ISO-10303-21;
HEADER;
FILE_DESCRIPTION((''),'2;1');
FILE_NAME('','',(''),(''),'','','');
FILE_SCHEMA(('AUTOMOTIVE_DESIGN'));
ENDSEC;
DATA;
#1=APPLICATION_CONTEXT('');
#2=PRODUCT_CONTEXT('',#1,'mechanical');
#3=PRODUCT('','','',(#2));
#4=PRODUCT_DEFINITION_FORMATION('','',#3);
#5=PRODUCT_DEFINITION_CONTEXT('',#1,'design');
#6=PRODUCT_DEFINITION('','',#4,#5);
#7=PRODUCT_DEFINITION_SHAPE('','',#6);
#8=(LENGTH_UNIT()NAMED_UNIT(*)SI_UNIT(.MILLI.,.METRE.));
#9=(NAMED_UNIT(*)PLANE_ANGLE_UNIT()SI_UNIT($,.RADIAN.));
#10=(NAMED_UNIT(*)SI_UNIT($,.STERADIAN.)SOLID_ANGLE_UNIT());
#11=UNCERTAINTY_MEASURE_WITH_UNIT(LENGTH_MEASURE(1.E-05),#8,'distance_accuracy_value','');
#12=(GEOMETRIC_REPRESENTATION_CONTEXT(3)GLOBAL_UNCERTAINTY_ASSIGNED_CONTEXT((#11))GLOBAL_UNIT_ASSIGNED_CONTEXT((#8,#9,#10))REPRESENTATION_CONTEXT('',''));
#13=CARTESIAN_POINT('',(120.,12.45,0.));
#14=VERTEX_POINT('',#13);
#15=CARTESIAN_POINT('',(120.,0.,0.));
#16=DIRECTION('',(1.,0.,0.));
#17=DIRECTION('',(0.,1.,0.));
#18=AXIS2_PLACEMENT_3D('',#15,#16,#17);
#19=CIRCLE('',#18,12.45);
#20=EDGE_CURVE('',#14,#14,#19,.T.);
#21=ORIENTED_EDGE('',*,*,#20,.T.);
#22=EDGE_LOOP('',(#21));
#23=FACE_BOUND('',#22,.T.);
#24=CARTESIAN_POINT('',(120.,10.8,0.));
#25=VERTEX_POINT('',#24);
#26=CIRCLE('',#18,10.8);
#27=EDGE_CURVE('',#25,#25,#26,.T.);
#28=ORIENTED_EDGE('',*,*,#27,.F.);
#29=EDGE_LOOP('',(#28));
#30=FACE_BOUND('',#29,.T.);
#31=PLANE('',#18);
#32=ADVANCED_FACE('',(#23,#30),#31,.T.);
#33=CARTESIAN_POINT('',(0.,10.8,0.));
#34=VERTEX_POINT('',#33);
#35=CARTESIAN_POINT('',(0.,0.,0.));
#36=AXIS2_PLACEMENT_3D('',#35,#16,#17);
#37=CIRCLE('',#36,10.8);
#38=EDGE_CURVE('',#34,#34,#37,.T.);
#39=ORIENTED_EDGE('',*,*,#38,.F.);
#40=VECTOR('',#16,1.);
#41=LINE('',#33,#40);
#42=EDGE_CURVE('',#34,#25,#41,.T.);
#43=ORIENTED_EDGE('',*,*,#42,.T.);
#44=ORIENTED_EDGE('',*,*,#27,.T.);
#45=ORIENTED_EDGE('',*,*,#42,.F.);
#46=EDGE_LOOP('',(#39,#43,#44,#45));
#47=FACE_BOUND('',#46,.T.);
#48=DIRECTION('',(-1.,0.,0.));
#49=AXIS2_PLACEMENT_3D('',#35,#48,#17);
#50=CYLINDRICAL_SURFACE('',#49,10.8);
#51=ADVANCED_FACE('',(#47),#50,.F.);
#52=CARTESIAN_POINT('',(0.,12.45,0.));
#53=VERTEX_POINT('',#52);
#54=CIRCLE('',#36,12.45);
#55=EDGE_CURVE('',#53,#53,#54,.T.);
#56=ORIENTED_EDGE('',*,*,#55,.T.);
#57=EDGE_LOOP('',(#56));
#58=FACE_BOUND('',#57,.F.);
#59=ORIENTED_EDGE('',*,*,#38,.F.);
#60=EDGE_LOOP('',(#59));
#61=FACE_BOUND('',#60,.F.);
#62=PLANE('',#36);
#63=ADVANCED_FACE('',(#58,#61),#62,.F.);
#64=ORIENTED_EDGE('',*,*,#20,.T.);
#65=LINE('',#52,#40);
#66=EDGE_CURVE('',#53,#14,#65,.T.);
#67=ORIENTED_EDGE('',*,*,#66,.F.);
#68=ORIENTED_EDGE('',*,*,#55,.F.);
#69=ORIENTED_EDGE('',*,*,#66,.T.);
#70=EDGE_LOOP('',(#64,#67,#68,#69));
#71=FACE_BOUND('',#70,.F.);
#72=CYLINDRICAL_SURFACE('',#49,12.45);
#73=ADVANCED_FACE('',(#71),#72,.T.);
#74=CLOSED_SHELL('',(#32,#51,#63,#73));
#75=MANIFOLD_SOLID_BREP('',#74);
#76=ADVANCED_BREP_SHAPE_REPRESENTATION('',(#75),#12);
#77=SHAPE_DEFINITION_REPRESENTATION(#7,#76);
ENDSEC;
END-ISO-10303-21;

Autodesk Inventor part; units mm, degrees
ref_plane "YZ Plane" through (0, 0, 0) normal (1, 0, 0) x (0, 1, 0)
ref_plane "XZ Plane" through (0, 0, 0) normal (0, 1, 0) x (-1, 0, 0)
ref_plane "XY Plane" through (0, 0, 0) normal (0, 0, 1) x (1, 0, 0)
sketch "Эскиз1" plane through (0, 0, 0) normal (1, 0, 0) x (0, 1, 0)
  circle A0 centre (0, 0) radius 10.8
  circle A1 centre (0, 0) radius 12.45
  dimension "d0" = 24.9
  dimension "d1" = 21.6
extrude "Выдавливание1" add sketch "Эскиз1" along normal blind 120
properties part number "трубка"
